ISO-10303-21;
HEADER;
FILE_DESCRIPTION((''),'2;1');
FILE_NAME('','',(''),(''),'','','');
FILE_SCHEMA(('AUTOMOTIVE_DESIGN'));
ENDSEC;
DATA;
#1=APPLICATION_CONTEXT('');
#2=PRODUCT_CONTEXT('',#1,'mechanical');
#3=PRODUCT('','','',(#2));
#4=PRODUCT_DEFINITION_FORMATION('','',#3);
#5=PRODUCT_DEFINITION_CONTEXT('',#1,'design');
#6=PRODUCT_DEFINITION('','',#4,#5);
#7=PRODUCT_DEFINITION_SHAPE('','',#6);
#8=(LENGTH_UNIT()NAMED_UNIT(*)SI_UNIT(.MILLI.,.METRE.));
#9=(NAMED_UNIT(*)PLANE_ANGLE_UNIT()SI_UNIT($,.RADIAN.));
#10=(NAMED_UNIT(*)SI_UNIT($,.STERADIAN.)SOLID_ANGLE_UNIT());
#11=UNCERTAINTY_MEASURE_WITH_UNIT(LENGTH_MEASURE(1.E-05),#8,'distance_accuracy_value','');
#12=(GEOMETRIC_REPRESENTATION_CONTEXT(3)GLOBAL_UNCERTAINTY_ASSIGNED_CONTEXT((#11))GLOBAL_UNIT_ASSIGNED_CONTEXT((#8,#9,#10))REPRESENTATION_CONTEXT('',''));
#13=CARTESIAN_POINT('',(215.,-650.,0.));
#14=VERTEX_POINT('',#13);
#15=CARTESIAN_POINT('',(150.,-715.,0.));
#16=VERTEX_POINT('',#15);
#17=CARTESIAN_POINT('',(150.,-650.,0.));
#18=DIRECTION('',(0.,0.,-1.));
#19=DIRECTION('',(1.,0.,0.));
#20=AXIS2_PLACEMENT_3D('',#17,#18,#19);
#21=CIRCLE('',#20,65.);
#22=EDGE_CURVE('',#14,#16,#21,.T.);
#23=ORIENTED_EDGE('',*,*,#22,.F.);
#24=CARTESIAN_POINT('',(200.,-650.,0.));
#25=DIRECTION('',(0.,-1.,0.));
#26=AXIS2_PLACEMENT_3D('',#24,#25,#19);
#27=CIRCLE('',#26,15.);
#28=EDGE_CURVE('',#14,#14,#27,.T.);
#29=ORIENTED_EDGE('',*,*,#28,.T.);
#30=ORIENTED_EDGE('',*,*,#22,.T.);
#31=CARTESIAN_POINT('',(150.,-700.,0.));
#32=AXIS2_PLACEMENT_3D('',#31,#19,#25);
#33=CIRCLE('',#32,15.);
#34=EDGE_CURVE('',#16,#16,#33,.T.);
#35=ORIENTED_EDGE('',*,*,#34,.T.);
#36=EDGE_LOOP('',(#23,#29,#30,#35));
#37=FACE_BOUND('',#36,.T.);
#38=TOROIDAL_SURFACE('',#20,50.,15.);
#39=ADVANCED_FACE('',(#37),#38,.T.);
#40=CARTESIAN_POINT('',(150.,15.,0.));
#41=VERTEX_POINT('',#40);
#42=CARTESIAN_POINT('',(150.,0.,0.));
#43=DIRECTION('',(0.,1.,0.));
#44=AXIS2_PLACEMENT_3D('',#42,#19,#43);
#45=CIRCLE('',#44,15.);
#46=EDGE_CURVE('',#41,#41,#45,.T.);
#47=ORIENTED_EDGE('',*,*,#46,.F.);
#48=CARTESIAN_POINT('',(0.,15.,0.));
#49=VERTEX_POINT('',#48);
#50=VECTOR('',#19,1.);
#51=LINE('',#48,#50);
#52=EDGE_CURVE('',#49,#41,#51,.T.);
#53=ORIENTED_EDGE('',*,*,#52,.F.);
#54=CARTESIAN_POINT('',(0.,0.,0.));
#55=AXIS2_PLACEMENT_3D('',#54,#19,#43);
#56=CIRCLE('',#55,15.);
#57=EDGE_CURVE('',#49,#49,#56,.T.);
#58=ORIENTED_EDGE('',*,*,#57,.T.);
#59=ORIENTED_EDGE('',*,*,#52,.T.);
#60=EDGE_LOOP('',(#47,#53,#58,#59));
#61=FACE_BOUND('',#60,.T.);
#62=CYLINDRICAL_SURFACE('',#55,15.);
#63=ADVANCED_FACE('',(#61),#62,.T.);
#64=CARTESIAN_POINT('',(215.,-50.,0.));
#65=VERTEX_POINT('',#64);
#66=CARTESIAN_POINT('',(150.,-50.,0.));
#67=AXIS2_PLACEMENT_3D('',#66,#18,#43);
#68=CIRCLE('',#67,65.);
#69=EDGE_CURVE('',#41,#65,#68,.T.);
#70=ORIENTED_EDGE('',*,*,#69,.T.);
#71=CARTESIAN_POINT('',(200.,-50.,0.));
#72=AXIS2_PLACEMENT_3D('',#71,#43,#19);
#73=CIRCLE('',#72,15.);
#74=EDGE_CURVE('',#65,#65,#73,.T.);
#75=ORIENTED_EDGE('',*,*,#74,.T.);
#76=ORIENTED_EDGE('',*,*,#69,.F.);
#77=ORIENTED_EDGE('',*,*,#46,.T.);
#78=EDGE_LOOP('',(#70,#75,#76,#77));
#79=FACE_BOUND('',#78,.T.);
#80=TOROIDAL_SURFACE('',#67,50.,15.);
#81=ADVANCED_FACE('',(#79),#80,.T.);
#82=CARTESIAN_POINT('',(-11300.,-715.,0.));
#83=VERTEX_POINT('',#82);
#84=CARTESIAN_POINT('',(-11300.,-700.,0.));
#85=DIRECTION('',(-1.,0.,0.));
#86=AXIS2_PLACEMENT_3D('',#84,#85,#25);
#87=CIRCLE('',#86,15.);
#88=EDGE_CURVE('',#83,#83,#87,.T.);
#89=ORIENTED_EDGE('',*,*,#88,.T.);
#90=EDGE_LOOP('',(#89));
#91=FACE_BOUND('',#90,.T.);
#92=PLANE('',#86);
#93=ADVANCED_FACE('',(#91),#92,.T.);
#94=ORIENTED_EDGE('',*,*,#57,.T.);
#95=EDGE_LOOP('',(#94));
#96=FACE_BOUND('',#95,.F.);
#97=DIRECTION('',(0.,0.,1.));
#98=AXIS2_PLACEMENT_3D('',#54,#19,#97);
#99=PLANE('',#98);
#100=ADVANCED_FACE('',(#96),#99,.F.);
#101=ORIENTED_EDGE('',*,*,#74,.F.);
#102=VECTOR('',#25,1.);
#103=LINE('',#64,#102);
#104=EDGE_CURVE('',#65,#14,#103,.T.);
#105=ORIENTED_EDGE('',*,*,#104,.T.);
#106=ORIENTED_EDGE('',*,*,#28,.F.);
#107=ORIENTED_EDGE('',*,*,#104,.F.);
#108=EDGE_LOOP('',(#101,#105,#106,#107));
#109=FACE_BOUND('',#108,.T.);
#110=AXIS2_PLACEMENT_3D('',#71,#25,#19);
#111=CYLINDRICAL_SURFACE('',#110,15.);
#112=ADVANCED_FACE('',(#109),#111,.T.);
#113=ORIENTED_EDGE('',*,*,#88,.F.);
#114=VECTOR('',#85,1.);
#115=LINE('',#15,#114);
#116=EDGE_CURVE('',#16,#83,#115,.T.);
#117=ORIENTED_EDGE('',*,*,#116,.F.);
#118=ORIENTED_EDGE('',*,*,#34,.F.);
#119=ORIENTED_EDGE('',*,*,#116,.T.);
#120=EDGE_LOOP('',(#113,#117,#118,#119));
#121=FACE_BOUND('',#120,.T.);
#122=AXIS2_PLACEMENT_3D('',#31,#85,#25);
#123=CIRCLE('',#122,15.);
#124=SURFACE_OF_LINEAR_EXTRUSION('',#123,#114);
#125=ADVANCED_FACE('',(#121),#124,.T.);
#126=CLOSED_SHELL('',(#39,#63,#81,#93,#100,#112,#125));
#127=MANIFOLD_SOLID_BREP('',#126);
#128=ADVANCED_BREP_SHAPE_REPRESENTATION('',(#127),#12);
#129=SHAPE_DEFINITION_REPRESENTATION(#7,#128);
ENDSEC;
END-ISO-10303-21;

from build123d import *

# Parameters (mm, degrees)
F1_R = 15


with BuildPart() as f2:
    # F2: sweep along a path in F0
    with BuildLine(Plane.XY) as f2_path:
        Line((0, 0), (150, 0))
        ThreePointArc((150, 0), (185.3553390593, -14.6446609407), (200, -50))
        Line((200, -50), (200, -650))
        ThreePointArc((200, -650), (185.3553390593, -685.3553390593), (150, -700))
        Line((150, -700), (-11300, -700))
    # F1 (on Right) → F2 (sweep)
    with BuildSketch(Plane.YZ):
        Circle(F1_R)
    sweep(path=f2_path.line)


solid = f2.part
